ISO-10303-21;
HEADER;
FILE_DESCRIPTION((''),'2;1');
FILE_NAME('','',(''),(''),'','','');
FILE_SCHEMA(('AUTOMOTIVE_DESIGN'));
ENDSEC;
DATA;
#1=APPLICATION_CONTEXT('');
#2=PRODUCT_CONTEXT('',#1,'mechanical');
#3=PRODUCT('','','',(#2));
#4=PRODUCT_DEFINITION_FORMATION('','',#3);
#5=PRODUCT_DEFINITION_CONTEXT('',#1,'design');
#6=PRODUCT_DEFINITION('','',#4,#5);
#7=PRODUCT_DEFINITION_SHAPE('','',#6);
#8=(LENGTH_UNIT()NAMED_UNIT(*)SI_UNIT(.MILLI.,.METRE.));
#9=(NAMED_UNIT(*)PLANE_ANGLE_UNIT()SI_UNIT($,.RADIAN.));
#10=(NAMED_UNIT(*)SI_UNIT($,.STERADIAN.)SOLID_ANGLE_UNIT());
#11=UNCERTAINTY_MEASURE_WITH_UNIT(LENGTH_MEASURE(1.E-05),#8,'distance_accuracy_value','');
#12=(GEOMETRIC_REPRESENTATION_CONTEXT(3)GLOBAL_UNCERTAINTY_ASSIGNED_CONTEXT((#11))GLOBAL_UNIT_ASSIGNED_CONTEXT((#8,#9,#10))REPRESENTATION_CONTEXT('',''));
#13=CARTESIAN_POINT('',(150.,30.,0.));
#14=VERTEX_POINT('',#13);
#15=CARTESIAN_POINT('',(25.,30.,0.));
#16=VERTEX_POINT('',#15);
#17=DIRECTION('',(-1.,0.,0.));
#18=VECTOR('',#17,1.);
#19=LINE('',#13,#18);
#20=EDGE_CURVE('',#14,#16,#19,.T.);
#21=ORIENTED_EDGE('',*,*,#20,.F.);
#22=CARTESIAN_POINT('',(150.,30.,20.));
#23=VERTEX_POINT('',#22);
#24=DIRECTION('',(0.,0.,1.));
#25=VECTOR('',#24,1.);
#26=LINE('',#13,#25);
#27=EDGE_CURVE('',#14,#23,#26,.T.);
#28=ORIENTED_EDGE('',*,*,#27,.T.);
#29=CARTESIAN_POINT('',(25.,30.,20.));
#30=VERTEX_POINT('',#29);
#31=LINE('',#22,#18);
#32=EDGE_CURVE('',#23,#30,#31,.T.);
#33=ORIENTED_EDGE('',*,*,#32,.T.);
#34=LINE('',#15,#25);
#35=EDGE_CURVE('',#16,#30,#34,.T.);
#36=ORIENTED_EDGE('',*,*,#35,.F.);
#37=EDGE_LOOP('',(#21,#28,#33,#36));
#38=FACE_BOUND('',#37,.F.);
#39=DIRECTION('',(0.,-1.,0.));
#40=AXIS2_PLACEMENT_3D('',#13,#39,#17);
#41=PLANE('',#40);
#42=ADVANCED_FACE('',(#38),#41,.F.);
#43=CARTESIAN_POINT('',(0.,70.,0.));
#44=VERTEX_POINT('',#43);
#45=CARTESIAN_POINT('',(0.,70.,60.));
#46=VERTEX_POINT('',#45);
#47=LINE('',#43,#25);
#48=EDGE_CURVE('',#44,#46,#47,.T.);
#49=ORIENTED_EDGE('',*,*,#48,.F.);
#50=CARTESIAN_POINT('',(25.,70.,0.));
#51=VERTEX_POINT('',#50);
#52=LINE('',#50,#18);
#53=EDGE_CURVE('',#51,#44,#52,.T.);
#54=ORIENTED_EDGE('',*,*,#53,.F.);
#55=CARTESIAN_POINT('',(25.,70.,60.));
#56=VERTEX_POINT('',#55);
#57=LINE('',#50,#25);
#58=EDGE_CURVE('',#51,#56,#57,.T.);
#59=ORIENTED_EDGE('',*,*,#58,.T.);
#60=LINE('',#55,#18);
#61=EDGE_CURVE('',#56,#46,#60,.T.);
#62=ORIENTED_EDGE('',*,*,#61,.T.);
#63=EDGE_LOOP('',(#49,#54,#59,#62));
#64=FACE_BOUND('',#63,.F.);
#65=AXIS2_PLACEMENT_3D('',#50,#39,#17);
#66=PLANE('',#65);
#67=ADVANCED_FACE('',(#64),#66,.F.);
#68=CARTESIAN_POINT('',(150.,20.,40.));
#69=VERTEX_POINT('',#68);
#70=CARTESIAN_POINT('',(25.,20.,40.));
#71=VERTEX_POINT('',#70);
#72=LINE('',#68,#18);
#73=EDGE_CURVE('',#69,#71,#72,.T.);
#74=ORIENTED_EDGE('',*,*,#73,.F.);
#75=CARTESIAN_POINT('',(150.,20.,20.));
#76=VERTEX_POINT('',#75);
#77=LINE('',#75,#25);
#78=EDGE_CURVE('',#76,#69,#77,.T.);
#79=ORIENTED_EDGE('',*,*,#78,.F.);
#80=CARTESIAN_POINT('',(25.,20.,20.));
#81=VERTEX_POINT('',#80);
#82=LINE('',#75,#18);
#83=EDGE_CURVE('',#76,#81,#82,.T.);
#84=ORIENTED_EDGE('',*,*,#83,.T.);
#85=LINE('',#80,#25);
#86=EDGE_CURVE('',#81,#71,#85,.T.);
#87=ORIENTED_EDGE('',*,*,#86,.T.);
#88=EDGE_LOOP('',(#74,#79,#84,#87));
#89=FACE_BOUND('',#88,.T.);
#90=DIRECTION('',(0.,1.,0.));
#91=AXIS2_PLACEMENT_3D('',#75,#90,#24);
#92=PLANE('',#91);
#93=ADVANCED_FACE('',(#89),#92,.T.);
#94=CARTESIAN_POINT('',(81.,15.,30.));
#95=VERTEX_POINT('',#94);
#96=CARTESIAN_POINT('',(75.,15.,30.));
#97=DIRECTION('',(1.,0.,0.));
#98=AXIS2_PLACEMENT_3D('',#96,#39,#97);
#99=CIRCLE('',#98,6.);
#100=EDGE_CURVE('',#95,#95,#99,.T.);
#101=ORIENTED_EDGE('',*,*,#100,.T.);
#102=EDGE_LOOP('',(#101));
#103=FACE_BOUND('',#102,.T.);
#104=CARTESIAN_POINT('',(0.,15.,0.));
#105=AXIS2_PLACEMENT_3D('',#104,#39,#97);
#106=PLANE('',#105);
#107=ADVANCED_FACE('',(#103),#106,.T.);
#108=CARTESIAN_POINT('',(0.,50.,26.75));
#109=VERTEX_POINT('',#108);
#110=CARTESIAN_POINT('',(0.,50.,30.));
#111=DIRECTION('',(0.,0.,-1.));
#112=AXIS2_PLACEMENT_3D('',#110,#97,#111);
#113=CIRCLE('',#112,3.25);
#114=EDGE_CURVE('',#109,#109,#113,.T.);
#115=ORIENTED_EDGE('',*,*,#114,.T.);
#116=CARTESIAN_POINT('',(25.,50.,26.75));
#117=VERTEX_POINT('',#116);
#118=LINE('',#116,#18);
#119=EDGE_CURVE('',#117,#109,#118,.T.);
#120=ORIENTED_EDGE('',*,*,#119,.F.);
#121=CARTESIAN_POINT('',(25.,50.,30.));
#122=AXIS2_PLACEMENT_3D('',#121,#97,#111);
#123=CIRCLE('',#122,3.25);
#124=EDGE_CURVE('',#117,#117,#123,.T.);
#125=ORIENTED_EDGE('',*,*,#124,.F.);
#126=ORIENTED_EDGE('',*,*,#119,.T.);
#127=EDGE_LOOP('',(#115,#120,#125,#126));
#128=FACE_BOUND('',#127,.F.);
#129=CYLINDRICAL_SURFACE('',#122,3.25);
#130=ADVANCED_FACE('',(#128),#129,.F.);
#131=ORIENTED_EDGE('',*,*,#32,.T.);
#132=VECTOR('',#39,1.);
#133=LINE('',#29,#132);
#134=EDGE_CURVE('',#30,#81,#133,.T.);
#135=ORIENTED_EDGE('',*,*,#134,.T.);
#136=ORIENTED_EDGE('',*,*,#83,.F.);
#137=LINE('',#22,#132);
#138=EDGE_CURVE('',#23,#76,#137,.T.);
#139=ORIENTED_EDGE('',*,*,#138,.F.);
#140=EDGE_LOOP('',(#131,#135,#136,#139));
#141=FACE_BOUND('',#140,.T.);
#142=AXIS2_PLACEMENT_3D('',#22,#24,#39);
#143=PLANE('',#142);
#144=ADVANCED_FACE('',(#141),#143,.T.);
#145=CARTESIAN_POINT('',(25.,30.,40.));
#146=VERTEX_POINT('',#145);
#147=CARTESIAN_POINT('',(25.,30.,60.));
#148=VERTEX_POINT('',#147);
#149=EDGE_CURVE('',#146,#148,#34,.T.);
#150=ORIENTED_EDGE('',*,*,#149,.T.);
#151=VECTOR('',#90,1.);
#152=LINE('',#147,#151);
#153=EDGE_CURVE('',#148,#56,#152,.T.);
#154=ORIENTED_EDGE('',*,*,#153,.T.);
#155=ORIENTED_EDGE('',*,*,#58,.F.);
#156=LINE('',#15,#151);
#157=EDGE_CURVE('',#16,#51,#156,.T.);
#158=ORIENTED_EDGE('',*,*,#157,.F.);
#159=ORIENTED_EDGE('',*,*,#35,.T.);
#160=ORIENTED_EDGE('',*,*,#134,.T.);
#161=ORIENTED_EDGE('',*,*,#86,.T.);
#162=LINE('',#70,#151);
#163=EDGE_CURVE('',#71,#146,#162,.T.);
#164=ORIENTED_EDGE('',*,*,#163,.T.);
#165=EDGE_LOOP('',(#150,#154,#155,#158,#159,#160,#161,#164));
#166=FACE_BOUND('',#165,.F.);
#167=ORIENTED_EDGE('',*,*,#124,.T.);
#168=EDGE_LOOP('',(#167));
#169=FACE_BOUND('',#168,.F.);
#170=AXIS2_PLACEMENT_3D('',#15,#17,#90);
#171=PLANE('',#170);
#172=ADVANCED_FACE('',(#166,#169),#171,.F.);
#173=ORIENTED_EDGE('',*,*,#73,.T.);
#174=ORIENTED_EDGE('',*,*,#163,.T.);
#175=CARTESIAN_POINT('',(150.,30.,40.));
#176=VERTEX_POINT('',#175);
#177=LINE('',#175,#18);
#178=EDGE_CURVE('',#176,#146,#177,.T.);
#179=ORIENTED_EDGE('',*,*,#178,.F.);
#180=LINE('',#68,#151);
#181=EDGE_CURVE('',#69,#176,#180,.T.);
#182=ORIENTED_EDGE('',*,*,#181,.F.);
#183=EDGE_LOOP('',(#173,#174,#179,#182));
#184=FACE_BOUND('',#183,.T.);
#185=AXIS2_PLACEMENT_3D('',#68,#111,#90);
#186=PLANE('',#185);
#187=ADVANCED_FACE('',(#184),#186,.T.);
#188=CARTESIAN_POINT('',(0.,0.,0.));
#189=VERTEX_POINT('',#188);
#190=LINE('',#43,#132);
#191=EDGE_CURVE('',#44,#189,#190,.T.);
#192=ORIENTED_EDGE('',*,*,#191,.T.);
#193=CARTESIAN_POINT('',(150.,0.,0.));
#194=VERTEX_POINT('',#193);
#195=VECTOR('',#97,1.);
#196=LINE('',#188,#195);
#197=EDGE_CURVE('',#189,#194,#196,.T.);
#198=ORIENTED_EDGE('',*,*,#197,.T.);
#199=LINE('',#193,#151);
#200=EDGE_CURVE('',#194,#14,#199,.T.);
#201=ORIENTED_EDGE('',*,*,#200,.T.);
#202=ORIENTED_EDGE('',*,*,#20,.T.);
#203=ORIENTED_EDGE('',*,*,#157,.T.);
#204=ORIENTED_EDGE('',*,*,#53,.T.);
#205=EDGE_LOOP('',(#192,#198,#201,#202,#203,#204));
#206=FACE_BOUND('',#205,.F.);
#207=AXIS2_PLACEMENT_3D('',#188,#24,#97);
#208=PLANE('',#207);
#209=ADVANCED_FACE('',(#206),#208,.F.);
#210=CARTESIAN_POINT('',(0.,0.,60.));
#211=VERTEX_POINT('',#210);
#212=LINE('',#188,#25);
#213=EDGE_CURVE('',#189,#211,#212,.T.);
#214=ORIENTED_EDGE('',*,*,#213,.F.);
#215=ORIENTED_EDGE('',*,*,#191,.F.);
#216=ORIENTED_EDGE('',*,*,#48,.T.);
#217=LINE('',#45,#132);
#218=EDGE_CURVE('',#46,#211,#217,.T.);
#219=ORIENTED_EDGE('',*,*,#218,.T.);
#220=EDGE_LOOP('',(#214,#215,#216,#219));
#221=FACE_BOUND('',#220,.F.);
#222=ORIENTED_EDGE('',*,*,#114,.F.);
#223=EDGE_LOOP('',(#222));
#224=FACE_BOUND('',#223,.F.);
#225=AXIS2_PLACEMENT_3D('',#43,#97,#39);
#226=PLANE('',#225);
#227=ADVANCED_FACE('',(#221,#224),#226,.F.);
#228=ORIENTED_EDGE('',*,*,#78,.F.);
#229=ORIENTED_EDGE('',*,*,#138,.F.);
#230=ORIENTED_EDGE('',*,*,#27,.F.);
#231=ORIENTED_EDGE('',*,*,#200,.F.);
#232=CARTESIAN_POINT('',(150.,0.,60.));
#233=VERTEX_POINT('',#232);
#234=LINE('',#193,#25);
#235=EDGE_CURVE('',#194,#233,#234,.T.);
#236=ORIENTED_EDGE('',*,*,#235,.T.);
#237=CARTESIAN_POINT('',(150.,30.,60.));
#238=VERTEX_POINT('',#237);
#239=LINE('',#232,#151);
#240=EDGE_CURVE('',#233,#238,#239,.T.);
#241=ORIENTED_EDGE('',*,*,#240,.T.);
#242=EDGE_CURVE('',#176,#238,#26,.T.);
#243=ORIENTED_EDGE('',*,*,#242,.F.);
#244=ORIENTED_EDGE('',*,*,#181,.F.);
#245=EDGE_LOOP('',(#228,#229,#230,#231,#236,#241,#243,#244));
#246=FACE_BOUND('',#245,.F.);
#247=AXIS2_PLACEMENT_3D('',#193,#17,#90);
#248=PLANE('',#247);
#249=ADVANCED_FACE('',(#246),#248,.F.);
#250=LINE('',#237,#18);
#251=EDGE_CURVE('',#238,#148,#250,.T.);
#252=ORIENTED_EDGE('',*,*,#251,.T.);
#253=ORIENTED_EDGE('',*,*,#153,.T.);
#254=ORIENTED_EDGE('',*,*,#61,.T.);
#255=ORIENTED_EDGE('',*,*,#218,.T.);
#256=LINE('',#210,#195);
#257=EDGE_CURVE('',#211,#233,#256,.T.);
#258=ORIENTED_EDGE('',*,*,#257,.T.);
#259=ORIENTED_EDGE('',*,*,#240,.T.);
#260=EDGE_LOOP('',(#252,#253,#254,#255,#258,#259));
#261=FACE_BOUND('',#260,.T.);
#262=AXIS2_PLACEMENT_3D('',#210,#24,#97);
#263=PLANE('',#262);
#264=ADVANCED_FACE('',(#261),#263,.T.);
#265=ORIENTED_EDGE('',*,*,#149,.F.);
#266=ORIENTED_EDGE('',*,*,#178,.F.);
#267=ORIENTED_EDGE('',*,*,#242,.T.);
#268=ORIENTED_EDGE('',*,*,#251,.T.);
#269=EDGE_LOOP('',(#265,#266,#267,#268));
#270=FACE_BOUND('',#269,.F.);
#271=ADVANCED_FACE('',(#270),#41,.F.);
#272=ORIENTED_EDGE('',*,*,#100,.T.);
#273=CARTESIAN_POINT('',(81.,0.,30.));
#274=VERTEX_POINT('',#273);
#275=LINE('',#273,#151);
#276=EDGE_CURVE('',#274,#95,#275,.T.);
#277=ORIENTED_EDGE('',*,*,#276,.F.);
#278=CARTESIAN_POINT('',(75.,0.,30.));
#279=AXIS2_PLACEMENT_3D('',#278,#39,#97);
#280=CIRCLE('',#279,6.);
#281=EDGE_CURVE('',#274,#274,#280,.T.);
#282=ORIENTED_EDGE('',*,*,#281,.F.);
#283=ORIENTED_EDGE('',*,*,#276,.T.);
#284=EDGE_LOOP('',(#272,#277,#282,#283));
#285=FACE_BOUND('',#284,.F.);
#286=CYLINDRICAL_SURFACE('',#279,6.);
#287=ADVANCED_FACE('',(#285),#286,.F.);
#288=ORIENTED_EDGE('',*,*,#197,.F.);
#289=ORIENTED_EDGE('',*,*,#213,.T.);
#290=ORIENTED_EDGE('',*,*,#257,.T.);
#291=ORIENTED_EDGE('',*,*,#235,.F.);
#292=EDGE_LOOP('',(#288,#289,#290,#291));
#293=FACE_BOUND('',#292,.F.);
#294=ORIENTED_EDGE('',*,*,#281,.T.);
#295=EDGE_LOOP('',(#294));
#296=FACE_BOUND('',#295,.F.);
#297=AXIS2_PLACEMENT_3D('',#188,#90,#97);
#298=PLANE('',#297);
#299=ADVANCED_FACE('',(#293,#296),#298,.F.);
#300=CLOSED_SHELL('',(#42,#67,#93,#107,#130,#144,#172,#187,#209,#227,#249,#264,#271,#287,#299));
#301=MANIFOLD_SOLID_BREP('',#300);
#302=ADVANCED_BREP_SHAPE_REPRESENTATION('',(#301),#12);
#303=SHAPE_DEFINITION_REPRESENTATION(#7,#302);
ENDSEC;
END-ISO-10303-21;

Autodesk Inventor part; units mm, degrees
ref_plane "YZ Plane" through (0, 0, 0) normal (1, 0, 0) x (0, 1, 0)
ref_plane "XZ Plane" through (0, 0, 0) normal (0, 1, 0) x (-1, 0, 0)
ref_plane "XY Plane" through (0, 0, 0) normal (0, 0, 1) x (1, 0, 0)
sketch "Sketch1" plane through (0, 0, 0) normal (0, 0, 1) x (1, 0, 0)
  line L0 (0, 0) -> (150, 0)
  line L1 (150, 0) -> (150, 30)
  line L2 (150, 30) -> (25, 30)
  line L3 (25, 30) -> (25, 70)
  line L4 (25, 70) -> (0, 70)
  line L5 (0, 70) -> (0, 0)
  dimension "d0" = 150
  dimension "d1" = 30
  dimension "d2" = 125
  dimension "d3" = 40
extrude "Extrusion1" add sketch "Sketch1" along normal blind 60
sketch "Sketch2" plane through (150, 0, 0) normal (1, 0, 0) x (0, 0, -1)
  line L0 (0, 30) -> (-60, 30) projected
  line L1 (-40, 30) -> (-20, 30)
  line L2 (-20, 30) -> (-20, 20)
  line L3 (-20, 20) -> (-40, 20)
  line L4 (-40, 20) -> (-40, 30)
  point P0 (0, 0)
  dimension "d6" = 20
  dimension "d7" = 10
extrude "Extrusion2" cut sketch "Sketch2" against normal blind 125
sketch "Sketch3" plane through (0, 0, 0) normal (0, -1, 0) x (1, 0, 0)
  circle A0 centre (75, 30) radius 6
  point P0 (0, 0)
  dimension "d10" = 12
extrude "Extrusion3" cut sketch "Sketch3" against normal blind 15
sketch "Sketch4" plane through (25, 30, 0) normal (1, 0, 0) x (0, 0, -1)
  circle A0 centre (-30, 20) radius 3.25
  point P0 (0, -30)
  dimension "d13" = 6.5
extrude "Extrusion4" cut sketch "Sketch4" against normal blind 47.5
properties part number "sabit_govde"
